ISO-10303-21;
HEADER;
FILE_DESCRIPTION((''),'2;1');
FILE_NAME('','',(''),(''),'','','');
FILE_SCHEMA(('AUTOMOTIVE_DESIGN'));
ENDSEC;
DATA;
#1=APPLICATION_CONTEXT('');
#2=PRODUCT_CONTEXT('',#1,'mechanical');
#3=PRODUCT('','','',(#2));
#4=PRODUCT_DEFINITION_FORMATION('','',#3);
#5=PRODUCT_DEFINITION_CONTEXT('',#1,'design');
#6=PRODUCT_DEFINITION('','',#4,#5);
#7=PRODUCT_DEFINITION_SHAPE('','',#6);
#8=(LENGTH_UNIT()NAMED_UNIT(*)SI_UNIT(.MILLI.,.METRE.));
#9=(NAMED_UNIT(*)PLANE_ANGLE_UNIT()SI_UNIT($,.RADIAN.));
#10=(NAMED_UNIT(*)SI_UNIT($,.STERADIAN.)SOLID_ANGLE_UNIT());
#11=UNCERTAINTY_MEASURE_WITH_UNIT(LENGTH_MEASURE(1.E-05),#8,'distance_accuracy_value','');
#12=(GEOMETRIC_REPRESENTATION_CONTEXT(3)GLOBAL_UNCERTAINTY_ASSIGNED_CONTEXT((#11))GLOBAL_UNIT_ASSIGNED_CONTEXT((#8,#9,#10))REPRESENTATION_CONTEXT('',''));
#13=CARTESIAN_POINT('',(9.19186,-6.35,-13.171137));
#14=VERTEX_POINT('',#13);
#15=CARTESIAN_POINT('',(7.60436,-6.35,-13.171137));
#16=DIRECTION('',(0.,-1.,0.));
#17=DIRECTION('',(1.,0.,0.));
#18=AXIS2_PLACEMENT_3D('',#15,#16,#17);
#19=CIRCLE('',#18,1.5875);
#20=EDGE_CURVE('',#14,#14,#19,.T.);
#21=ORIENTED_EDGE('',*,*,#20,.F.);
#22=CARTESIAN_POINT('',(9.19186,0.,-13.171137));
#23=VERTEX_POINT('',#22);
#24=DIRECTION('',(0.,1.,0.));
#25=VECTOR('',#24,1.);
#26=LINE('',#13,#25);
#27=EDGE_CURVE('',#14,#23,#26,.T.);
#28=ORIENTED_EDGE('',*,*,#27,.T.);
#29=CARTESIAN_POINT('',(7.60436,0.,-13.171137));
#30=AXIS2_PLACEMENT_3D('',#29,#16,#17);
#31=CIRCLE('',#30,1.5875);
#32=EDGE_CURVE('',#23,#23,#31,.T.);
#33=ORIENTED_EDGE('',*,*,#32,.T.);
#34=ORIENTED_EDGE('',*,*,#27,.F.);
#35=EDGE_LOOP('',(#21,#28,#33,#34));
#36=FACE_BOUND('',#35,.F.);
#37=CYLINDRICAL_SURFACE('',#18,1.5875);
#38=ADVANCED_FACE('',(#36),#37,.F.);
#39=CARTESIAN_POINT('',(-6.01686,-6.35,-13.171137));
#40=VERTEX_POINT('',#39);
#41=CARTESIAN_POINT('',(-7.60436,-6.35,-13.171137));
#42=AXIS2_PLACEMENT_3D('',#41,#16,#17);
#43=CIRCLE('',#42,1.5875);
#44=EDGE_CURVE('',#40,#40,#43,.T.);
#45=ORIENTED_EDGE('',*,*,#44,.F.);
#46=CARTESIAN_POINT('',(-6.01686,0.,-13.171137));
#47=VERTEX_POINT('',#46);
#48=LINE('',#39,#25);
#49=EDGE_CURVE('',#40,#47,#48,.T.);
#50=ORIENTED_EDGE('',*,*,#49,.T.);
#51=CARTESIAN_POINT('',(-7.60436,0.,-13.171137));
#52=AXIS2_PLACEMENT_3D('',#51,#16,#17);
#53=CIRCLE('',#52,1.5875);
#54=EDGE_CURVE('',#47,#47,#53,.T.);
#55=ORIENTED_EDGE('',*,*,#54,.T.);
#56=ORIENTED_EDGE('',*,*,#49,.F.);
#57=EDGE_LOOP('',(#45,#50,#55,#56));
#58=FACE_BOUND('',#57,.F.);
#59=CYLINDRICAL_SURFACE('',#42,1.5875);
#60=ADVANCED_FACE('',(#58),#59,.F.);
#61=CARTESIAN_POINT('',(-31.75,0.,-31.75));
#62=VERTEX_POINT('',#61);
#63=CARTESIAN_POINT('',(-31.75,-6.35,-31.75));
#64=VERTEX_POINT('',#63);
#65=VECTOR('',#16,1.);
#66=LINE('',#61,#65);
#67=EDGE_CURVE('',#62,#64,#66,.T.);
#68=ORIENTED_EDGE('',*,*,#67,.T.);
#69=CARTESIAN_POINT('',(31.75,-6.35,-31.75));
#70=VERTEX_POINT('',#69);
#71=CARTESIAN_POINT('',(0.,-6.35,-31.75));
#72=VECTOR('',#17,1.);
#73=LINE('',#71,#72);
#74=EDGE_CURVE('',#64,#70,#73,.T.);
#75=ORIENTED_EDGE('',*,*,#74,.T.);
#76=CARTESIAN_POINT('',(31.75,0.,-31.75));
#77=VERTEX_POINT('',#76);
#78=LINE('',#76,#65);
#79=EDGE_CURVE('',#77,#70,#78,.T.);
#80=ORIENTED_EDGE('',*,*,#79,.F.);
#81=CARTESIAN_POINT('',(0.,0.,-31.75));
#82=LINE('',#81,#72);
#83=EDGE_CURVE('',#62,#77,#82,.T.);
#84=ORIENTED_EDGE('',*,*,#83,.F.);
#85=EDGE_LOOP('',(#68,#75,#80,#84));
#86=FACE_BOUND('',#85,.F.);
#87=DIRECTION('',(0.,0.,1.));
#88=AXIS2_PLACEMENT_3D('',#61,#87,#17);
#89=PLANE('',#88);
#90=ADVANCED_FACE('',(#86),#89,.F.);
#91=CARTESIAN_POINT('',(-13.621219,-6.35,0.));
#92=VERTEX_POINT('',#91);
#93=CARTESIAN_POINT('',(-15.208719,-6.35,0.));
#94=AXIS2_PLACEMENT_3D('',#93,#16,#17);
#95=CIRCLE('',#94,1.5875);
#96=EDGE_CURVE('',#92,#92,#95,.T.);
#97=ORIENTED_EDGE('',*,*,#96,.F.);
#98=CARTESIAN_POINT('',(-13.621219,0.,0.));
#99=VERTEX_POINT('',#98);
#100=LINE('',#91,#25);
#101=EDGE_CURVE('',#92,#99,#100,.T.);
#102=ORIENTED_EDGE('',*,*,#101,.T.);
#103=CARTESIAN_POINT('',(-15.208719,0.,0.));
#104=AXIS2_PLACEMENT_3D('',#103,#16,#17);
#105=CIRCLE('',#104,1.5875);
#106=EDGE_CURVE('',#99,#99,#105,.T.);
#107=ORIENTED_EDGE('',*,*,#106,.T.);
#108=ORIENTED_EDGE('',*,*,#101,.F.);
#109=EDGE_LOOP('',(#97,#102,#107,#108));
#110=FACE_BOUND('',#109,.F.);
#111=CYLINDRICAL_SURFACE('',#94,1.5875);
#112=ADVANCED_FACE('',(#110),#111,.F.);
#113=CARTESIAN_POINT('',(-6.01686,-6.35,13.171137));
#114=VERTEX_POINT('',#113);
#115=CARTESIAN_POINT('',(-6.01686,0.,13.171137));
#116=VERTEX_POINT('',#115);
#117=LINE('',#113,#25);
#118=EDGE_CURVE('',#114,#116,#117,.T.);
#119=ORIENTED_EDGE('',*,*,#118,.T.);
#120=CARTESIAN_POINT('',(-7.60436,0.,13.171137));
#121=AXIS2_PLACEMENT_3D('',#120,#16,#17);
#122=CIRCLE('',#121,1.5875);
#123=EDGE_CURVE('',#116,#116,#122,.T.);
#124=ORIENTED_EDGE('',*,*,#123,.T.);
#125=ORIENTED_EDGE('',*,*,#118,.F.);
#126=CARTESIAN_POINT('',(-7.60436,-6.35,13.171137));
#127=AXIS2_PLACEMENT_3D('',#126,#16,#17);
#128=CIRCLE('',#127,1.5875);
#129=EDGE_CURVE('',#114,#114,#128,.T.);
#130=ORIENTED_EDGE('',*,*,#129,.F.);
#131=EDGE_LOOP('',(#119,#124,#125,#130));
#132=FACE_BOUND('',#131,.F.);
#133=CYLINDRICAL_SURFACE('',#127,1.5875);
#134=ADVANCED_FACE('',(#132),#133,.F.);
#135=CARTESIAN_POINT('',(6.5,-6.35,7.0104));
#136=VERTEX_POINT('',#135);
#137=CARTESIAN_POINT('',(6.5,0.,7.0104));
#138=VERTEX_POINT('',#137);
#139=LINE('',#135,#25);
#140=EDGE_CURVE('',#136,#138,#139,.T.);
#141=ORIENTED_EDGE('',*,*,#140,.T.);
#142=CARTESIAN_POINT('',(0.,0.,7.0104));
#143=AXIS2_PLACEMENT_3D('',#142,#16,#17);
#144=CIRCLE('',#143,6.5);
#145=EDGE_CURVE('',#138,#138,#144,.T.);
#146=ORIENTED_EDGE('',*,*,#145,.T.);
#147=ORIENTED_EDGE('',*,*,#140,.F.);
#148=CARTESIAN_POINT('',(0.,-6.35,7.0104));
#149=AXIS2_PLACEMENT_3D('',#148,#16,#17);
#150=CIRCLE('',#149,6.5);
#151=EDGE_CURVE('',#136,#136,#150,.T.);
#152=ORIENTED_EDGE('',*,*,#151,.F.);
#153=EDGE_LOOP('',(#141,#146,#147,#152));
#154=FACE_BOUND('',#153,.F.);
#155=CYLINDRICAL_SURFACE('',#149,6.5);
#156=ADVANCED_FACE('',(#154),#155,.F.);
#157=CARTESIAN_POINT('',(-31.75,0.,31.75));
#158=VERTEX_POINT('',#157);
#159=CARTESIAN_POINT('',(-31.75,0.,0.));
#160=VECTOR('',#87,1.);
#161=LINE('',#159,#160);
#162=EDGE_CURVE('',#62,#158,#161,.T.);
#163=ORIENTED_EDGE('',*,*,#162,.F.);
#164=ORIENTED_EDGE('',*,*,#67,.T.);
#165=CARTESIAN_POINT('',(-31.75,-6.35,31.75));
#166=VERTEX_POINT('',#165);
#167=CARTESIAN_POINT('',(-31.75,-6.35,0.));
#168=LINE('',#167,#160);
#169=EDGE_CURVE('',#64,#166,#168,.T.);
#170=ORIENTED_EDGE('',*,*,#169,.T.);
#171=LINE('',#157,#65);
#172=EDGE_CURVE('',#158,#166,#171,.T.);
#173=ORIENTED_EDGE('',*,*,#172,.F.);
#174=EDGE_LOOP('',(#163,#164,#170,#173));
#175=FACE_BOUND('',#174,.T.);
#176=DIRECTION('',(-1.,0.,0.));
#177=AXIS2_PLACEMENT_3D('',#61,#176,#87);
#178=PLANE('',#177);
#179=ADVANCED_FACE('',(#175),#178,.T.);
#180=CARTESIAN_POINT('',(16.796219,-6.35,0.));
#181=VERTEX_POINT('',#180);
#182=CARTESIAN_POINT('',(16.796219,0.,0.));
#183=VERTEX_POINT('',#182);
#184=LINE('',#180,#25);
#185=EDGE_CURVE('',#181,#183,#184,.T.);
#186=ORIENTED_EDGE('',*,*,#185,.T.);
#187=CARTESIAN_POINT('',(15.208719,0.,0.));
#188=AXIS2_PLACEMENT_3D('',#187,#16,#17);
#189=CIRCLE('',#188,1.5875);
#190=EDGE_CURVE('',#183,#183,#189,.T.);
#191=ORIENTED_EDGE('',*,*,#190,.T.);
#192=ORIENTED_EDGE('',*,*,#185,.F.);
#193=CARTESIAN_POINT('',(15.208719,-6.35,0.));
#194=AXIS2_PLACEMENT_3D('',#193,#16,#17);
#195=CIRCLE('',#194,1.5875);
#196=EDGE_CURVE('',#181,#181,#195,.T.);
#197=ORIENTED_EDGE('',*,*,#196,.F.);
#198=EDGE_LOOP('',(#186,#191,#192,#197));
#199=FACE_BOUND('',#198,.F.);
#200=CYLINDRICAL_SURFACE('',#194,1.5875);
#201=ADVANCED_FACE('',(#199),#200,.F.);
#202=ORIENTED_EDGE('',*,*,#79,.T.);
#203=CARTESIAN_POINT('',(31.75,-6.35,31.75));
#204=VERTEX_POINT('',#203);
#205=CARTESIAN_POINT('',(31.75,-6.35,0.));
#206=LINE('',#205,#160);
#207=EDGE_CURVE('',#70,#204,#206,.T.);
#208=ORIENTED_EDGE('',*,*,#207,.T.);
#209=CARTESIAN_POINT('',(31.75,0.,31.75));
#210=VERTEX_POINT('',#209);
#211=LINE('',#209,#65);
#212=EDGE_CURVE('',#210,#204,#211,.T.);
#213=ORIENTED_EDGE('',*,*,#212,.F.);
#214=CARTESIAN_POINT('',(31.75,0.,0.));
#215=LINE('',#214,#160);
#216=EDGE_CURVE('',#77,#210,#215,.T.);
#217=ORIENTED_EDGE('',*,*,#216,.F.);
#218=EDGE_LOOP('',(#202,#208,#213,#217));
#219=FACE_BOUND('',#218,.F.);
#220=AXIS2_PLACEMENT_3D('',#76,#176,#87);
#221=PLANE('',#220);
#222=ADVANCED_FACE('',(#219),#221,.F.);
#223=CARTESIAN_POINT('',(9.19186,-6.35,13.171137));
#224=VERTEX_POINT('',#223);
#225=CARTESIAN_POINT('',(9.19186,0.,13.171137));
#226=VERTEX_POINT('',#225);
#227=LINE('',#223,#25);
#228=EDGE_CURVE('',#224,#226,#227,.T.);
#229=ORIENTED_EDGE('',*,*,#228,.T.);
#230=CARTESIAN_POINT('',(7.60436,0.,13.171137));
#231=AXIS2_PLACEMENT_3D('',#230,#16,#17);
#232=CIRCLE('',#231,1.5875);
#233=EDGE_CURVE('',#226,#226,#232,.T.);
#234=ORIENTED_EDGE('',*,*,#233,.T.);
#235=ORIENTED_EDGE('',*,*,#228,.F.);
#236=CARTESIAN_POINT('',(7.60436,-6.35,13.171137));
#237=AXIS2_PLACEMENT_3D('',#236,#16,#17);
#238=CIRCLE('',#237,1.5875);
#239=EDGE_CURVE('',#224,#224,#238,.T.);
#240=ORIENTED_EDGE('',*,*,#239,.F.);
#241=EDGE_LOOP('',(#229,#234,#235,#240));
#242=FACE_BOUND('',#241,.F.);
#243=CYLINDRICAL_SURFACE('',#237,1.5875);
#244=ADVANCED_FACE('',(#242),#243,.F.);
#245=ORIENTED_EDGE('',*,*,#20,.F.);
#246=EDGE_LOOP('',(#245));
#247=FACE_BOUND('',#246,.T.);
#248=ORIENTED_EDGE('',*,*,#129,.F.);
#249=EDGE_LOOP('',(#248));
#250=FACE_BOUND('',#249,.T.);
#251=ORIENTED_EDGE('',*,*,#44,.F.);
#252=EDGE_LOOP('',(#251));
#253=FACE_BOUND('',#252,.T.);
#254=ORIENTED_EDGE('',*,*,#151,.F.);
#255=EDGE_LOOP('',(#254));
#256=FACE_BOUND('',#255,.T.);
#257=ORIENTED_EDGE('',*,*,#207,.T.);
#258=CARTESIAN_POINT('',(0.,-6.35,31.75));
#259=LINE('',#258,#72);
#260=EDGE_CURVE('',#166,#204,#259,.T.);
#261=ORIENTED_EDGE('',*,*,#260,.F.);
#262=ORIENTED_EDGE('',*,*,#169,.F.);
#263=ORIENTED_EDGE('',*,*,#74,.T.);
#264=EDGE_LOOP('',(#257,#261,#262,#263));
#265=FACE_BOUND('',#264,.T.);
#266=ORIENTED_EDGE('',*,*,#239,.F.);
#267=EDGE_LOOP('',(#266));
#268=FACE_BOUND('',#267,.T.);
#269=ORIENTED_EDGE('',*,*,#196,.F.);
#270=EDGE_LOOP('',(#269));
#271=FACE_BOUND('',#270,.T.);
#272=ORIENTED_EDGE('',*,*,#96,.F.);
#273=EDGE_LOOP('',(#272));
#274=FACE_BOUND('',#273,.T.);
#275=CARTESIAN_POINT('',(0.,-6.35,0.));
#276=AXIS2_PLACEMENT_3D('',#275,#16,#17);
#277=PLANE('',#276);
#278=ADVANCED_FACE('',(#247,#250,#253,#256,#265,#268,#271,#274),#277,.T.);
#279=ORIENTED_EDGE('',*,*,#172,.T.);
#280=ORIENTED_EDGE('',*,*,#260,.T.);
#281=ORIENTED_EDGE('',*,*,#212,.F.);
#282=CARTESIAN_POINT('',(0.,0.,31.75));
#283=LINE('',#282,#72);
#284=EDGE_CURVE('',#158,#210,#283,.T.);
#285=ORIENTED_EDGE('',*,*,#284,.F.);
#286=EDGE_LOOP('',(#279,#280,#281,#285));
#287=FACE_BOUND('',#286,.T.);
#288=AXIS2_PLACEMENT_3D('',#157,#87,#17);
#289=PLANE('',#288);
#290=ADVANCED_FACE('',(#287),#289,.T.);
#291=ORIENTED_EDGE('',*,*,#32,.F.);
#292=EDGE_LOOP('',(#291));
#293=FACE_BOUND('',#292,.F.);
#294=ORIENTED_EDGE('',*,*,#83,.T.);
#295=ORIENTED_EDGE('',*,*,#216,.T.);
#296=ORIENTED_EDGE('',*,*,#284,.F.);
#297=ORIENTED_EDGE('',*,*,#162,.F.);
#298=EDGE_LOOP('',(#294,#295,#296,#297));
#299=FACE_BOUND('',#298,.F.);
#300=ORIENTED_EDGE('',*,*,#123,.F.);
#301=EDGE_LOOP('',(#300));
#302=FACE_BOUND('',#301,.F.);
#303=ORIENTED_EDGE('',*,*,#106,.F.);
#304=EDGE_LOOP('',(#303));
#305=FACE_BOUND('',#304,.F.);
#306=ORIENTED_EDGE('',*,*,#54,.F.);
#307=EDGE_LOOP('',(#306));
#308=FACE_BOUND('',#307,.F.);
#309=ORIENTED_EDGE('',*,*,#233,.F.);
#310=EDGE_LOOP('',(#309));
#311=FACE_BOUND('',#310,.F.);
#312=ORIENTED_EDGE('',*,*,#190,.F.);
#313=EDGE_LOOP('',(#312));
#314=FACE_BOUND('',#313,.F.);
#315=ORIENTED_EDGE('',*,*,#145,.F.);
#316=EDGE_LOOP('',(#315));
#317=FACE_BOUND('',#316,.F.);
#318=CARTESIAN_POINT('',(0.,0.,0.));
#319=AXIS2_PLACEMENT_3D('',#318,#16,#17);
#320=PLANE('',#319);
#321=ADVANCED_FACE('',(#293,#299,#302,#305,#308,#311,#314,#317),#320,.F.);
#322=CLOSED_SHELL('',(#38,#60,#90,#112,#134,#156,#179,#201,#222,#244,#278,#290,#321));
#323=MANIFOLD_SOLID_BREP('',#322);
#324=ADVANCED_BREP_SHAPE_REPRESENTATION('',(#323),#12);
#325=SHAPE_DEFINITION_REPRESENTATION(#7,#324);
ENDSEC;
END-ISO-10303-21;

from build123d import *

# Parameters (mm, degrees)
F0_W     = 63.5
F0_H     = 63.5
F1_DEPTH = 6.35
F2_R     = 1.5875
F3_R     = 6.5
F4_DEPTH = 6.351


with BuildPart() as f1:
    # F0 (on Front) → F1 (new body)
    with BuildSketch(Plane.XZ):
        Rectangle(F0_W, F0_H)
    extrude(amount=F1_DEPTH)

    # F2 (on face) + F3 (on face) → F4 (cut, through all)
    with BuildSketch(Plane.XZ.offset(6.35)):
        with Locations((7.60436, 13.171137)):
            Circle(F2_R)
        with Locations((15.208719, 0)):
            Circle(F2_R)
        with Locations((7.60436, -13.171137)):
            Circle(F2_R)
        with Locations((-7.60436, -13.171137)):
            Circle(F2_R)
        with Locations((-15.208719, 0)):
            Circle(F2_R)
        with Locations((-7.60436, 13.171137)):
            Circle(F2_R)
    with BuildSketch(Plane.XZ.offset(6.35)):
        with Locations((0, 7.0104)):
            Circle(F3_R)
    extrude(amount=-F4_DEPTH, mode=Mode.SUBTRACT)


solid = f1.part
